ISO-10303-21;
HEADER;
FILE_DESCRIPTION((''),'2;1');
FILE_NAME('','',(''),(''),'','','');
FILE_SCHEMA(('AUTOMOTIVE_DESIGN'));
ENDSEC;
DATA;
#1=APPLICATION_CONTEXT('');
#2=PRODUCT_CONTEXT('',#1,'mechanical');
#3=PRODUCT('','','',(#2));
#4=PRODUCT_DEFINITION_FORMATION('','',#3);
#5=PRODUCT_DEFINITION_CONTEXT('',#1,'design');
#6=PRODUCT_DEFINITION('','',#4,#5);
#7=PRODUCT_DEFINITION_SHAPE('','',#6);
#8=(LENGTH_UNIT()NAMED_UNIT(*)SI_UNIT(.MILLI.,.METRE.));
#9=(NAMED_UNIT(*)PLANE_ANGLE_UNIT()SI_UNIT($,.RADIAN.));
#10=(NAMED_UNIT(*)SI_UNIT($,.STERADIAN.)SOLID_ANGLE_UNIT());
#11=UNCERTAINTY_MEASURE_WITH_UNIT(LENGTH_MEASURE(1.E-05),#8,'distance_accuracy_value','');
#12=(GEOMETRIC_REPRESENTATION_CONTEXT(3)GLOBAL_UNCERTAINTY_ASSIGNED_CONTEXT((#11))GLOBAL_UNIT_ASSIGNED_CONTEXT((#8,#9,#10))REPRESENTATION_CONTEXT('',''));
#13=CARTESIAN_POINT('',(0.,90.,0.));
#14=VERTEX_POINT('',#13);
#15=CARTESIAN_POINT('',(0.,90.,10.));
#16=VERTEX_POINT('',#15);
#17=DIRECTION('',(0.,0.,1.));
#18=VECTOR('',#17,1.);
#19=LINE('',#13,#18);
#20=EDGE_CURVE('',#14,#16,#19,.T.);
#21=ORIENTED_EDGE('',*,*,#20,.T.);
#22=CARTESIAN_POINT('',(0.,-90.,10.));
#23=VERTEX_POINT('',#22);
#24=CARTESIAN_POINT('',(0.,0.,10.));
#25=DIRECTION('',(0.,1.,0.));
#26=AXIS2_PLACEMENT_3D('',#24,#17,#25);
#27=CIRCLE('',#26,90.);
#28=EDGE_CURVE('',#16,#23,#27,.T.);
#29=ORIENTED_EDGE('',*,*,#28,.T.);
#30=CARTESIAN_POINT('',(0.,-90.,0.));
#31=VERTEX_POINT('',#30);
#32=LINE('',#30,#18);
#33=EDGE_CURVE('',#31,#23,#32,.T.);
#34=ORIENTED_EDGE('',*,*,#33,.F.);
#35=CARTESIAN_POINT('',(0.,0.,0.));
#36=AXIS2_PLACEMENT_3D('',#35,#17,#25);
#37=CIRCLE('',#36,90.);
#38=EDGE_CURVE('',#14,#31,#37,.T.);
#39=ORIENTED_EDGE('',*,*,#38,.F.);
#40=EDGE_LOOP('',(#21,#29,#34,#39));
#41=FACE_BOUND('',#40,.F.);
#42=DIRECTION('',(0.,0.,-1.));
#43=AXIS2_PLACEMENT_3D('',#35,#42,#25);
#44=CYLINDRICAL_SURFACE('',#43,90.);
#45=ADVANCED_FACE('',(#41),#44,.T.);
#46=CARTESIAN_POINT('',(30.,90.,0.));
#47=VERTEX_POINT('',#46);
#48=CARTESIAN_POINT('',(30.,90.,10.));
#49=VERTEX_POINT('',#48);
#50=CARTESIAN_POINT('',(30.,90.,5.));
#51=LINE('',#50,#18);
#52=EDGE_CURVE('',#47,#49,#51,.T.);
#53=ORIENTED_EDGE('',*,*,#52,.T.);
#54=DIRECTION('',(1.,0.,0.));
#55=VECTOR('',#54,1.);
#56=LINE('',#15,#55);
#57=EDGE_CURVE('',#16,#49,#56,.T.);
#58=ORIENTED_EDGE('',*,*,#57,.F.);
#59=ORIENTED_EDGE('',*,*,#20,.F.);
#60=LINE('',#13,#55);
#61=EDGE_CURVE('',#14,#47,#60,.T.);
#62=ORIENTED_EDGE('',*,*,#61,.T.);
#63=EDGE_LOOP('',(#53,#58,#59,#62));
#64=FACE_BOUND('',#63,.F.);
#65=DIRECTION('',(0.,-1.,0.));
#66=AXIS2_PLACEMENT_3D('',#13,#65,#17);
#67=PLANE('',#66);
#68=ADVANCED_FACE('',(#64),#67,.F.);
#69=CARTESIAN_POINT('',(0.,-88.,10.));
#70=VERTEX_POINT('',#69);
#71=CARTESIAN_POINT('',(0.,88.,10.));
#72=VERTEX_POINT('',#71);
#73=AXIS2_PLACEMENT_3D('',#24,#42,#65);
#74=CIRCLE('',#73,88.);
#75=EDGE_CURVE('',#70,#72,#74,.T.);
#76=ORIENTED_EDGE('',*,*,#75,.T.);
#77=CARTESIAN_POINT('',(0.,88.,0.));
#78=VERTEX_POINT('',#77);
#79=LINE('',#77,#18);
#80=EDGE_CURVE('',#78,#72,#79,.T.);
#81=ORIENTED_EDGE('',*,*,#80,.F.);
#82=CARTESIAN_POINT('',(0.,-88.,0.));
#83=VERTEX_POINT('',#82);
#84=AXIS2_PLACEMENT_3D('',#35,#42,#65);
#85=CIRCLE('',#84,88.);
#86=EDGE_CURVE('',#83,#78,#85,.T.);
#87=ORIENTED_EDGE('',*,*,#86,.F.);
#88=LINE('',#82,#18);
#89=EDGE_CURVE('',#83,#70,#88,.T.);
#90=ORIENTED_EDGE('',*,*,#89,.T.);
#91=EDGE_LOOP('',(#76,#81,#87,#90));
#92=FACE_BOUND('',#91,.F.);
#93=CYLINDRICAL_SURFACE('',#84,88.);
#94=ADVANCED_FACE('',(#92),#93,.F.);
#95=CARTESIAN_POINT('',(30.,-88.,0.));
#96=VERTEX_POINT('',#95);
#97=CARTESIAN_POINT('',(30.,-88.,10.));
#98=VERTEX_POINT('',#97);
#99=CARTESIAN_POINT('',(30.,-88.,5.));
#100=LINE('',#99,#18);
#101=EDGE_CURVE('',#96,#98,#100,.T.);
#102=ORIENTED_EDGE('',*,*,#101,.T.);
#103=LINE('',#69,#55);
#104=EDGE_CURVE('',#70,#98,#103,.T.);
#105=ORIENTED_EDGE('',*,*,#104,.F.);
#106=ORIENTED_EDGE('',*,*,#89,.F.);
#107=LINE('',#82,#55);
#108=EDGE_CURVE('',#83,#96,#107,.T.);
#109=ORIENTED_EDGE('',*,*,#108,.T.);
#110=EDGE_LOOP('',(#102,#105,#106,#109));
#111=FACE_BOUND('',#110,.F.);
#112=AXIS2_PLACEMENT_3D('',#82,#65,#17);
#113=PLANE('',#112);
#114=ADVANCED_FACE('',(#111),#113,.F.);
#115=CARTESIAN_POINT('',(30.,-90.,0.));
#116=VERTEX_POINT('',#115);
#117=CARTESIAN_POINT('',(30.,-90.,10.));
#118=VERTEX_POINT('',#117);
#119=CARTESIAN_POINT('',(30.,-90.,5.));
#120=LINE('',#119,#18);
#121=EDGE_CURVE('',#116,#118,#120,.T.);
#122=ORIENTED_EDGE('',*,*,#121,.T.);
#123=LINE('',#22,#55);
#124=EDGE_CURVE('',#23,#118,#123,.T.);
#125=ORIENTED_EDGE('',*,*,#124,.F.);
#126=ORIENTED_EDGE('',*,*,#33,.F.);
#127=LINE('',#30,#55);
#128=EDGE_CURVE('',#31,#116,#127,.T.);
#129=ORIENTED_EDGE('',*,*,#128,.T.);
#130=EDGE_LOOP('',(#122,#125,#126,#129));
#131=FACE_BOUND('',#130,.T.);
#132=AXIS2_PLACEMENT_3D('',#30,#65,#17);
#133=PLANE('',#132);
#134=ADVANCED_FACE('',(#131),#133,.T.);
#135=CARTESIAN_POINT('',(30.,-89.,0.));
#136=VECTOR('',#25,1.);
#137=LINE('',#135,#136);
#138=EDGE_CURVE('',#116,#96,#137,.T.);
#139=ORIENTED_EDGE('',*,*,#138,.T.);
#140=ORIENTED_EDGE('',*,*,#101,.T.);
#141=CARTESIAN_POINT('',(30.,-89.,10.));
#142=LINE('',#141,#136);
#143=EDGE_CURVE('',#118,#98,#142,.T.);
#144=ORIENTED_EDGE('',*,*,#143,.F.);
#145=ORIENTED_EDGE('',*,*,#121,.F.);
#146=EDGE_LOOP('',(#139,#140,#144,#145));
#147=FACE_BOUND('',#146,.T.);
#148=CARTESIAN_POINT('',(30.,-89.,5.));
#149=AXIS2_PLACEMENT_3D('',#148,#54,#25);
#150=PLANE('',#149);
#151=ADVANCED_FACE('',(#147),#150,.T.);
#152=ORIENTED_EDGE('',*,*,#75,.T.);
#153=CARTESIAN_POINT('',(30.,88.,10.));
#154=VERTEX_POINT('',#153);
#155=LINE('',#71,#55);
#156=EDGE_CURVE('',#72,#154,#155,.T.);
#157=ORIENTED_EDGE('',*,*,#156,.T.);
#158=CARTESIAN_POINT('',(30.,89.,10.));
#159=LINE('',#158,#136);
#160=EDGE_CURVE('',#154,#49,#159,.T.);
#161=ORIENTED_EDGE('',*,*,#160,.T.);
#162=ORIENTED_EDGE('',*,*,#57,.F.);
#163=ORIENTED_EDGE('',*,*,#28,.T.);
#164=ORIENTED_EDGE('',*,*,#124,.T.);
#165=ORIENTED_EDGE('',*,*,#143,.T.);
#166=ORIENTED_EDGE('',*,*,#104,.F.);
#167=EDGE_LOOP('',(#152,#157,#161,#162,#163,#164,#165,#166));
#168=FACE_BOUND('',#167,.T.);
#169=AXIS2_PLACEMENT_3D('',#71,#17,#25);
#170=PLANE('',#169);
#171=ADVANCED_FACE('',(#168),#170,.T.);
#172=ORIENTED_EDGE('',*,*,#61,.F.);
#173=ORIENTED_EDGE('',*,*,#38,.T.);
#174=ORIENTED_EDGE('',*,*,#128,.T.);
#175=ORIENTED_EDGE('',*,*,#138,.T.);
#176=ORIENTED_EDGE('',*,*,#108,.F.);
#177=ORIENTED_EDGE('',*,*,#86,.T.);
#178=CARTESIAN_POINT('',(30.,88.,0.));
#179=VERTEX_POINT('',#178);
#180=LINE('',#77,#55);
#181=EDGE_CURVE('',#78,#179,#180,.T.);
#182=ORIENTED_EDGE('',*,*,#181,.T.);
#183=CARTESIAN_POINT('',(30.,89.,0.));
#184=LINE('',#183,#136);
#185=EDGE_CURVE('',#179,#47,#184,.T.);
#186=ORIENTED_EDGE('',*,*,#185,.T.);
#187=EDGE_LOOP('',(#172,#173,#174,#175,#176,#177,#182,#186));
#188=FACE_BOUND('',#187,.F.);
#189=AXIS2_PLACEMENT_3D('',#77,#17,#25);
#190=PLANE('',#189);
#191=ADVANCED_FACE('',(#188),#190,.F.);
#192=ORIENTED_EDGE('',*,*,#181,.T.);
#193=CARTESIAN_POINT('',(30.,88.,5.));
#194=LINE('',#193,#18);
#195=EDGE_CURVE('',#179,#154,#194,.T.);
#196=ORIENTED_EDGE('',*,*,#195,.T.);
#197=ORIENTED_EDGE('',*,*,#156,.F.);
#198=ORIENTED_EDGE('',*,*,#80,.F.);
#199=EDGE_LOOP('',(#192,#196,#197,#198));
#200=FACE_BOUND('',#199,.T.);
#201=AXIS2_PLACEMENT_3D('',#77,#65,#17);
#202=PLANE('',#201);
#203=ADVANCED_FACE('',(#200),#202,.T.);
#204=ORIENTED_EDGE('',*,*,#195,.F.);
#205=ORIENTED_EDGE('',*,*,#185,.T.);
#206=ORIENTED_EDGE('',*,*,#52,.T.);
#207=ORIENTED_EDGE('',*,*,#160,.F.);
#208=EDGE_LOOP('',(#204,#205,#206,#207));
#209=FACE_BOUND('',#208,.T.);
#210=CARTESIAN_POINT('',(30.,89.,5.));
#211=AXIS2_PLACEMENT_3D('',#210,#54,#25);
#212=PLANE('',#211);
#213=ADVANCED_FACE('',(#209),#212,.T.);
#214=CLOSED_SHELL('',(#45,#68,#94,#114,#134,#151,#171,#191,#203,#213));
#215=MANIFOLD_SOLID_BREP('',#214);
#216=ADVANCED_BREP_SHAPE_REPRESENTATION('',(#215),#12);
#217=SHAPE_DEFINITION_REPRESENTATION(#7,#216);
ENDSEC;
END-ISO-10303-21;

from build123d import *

# Parameters (mm, degrees)
F1_DEPTH  = 10
F1_FACE_W = 2
F1_FACE_H = 10
F3_DEPTH  = 30
F4_DEPTH  = 30


with BuildPart() as f1:
    # F0 (on Top) → F1 (new body)
    with BuildSketch(Plane.XY):
        with BuildLine():
            Line((0, 88), (0, 90))
            ThreePointArc((0, 90), (-90, 0), (0, -90))
            Line((0, -90), (0, -88))
            ThreePointArc((0, -88), (-88, 0), (0, 88))
        make_face()
    extrude(amount=F1_DEPTH)

    # F1_face (on face) → F3 (join)
    with BuildSketch(Plane(origin=(0, -89, 5), x_dir=(0, 1, 0), z_dir=(1, 0, 0))):
        Rectangle(F1_FACE_W, F1_FACE_H)
    extrude(amount=F3_DEPTH)

    # F1_face (on face) → F4 (join)
    with BuildSketch(Plane(origin=(0, -89, 5), x_dir=(0, 1, 0), z_dir=(1, 0, 0))):
        with Locations((178, 0)):
            Rectangle(F1_FACE_W, F1_FACE_H)
    extrude(amount=F4_DEPTH)


solid = f1.part
